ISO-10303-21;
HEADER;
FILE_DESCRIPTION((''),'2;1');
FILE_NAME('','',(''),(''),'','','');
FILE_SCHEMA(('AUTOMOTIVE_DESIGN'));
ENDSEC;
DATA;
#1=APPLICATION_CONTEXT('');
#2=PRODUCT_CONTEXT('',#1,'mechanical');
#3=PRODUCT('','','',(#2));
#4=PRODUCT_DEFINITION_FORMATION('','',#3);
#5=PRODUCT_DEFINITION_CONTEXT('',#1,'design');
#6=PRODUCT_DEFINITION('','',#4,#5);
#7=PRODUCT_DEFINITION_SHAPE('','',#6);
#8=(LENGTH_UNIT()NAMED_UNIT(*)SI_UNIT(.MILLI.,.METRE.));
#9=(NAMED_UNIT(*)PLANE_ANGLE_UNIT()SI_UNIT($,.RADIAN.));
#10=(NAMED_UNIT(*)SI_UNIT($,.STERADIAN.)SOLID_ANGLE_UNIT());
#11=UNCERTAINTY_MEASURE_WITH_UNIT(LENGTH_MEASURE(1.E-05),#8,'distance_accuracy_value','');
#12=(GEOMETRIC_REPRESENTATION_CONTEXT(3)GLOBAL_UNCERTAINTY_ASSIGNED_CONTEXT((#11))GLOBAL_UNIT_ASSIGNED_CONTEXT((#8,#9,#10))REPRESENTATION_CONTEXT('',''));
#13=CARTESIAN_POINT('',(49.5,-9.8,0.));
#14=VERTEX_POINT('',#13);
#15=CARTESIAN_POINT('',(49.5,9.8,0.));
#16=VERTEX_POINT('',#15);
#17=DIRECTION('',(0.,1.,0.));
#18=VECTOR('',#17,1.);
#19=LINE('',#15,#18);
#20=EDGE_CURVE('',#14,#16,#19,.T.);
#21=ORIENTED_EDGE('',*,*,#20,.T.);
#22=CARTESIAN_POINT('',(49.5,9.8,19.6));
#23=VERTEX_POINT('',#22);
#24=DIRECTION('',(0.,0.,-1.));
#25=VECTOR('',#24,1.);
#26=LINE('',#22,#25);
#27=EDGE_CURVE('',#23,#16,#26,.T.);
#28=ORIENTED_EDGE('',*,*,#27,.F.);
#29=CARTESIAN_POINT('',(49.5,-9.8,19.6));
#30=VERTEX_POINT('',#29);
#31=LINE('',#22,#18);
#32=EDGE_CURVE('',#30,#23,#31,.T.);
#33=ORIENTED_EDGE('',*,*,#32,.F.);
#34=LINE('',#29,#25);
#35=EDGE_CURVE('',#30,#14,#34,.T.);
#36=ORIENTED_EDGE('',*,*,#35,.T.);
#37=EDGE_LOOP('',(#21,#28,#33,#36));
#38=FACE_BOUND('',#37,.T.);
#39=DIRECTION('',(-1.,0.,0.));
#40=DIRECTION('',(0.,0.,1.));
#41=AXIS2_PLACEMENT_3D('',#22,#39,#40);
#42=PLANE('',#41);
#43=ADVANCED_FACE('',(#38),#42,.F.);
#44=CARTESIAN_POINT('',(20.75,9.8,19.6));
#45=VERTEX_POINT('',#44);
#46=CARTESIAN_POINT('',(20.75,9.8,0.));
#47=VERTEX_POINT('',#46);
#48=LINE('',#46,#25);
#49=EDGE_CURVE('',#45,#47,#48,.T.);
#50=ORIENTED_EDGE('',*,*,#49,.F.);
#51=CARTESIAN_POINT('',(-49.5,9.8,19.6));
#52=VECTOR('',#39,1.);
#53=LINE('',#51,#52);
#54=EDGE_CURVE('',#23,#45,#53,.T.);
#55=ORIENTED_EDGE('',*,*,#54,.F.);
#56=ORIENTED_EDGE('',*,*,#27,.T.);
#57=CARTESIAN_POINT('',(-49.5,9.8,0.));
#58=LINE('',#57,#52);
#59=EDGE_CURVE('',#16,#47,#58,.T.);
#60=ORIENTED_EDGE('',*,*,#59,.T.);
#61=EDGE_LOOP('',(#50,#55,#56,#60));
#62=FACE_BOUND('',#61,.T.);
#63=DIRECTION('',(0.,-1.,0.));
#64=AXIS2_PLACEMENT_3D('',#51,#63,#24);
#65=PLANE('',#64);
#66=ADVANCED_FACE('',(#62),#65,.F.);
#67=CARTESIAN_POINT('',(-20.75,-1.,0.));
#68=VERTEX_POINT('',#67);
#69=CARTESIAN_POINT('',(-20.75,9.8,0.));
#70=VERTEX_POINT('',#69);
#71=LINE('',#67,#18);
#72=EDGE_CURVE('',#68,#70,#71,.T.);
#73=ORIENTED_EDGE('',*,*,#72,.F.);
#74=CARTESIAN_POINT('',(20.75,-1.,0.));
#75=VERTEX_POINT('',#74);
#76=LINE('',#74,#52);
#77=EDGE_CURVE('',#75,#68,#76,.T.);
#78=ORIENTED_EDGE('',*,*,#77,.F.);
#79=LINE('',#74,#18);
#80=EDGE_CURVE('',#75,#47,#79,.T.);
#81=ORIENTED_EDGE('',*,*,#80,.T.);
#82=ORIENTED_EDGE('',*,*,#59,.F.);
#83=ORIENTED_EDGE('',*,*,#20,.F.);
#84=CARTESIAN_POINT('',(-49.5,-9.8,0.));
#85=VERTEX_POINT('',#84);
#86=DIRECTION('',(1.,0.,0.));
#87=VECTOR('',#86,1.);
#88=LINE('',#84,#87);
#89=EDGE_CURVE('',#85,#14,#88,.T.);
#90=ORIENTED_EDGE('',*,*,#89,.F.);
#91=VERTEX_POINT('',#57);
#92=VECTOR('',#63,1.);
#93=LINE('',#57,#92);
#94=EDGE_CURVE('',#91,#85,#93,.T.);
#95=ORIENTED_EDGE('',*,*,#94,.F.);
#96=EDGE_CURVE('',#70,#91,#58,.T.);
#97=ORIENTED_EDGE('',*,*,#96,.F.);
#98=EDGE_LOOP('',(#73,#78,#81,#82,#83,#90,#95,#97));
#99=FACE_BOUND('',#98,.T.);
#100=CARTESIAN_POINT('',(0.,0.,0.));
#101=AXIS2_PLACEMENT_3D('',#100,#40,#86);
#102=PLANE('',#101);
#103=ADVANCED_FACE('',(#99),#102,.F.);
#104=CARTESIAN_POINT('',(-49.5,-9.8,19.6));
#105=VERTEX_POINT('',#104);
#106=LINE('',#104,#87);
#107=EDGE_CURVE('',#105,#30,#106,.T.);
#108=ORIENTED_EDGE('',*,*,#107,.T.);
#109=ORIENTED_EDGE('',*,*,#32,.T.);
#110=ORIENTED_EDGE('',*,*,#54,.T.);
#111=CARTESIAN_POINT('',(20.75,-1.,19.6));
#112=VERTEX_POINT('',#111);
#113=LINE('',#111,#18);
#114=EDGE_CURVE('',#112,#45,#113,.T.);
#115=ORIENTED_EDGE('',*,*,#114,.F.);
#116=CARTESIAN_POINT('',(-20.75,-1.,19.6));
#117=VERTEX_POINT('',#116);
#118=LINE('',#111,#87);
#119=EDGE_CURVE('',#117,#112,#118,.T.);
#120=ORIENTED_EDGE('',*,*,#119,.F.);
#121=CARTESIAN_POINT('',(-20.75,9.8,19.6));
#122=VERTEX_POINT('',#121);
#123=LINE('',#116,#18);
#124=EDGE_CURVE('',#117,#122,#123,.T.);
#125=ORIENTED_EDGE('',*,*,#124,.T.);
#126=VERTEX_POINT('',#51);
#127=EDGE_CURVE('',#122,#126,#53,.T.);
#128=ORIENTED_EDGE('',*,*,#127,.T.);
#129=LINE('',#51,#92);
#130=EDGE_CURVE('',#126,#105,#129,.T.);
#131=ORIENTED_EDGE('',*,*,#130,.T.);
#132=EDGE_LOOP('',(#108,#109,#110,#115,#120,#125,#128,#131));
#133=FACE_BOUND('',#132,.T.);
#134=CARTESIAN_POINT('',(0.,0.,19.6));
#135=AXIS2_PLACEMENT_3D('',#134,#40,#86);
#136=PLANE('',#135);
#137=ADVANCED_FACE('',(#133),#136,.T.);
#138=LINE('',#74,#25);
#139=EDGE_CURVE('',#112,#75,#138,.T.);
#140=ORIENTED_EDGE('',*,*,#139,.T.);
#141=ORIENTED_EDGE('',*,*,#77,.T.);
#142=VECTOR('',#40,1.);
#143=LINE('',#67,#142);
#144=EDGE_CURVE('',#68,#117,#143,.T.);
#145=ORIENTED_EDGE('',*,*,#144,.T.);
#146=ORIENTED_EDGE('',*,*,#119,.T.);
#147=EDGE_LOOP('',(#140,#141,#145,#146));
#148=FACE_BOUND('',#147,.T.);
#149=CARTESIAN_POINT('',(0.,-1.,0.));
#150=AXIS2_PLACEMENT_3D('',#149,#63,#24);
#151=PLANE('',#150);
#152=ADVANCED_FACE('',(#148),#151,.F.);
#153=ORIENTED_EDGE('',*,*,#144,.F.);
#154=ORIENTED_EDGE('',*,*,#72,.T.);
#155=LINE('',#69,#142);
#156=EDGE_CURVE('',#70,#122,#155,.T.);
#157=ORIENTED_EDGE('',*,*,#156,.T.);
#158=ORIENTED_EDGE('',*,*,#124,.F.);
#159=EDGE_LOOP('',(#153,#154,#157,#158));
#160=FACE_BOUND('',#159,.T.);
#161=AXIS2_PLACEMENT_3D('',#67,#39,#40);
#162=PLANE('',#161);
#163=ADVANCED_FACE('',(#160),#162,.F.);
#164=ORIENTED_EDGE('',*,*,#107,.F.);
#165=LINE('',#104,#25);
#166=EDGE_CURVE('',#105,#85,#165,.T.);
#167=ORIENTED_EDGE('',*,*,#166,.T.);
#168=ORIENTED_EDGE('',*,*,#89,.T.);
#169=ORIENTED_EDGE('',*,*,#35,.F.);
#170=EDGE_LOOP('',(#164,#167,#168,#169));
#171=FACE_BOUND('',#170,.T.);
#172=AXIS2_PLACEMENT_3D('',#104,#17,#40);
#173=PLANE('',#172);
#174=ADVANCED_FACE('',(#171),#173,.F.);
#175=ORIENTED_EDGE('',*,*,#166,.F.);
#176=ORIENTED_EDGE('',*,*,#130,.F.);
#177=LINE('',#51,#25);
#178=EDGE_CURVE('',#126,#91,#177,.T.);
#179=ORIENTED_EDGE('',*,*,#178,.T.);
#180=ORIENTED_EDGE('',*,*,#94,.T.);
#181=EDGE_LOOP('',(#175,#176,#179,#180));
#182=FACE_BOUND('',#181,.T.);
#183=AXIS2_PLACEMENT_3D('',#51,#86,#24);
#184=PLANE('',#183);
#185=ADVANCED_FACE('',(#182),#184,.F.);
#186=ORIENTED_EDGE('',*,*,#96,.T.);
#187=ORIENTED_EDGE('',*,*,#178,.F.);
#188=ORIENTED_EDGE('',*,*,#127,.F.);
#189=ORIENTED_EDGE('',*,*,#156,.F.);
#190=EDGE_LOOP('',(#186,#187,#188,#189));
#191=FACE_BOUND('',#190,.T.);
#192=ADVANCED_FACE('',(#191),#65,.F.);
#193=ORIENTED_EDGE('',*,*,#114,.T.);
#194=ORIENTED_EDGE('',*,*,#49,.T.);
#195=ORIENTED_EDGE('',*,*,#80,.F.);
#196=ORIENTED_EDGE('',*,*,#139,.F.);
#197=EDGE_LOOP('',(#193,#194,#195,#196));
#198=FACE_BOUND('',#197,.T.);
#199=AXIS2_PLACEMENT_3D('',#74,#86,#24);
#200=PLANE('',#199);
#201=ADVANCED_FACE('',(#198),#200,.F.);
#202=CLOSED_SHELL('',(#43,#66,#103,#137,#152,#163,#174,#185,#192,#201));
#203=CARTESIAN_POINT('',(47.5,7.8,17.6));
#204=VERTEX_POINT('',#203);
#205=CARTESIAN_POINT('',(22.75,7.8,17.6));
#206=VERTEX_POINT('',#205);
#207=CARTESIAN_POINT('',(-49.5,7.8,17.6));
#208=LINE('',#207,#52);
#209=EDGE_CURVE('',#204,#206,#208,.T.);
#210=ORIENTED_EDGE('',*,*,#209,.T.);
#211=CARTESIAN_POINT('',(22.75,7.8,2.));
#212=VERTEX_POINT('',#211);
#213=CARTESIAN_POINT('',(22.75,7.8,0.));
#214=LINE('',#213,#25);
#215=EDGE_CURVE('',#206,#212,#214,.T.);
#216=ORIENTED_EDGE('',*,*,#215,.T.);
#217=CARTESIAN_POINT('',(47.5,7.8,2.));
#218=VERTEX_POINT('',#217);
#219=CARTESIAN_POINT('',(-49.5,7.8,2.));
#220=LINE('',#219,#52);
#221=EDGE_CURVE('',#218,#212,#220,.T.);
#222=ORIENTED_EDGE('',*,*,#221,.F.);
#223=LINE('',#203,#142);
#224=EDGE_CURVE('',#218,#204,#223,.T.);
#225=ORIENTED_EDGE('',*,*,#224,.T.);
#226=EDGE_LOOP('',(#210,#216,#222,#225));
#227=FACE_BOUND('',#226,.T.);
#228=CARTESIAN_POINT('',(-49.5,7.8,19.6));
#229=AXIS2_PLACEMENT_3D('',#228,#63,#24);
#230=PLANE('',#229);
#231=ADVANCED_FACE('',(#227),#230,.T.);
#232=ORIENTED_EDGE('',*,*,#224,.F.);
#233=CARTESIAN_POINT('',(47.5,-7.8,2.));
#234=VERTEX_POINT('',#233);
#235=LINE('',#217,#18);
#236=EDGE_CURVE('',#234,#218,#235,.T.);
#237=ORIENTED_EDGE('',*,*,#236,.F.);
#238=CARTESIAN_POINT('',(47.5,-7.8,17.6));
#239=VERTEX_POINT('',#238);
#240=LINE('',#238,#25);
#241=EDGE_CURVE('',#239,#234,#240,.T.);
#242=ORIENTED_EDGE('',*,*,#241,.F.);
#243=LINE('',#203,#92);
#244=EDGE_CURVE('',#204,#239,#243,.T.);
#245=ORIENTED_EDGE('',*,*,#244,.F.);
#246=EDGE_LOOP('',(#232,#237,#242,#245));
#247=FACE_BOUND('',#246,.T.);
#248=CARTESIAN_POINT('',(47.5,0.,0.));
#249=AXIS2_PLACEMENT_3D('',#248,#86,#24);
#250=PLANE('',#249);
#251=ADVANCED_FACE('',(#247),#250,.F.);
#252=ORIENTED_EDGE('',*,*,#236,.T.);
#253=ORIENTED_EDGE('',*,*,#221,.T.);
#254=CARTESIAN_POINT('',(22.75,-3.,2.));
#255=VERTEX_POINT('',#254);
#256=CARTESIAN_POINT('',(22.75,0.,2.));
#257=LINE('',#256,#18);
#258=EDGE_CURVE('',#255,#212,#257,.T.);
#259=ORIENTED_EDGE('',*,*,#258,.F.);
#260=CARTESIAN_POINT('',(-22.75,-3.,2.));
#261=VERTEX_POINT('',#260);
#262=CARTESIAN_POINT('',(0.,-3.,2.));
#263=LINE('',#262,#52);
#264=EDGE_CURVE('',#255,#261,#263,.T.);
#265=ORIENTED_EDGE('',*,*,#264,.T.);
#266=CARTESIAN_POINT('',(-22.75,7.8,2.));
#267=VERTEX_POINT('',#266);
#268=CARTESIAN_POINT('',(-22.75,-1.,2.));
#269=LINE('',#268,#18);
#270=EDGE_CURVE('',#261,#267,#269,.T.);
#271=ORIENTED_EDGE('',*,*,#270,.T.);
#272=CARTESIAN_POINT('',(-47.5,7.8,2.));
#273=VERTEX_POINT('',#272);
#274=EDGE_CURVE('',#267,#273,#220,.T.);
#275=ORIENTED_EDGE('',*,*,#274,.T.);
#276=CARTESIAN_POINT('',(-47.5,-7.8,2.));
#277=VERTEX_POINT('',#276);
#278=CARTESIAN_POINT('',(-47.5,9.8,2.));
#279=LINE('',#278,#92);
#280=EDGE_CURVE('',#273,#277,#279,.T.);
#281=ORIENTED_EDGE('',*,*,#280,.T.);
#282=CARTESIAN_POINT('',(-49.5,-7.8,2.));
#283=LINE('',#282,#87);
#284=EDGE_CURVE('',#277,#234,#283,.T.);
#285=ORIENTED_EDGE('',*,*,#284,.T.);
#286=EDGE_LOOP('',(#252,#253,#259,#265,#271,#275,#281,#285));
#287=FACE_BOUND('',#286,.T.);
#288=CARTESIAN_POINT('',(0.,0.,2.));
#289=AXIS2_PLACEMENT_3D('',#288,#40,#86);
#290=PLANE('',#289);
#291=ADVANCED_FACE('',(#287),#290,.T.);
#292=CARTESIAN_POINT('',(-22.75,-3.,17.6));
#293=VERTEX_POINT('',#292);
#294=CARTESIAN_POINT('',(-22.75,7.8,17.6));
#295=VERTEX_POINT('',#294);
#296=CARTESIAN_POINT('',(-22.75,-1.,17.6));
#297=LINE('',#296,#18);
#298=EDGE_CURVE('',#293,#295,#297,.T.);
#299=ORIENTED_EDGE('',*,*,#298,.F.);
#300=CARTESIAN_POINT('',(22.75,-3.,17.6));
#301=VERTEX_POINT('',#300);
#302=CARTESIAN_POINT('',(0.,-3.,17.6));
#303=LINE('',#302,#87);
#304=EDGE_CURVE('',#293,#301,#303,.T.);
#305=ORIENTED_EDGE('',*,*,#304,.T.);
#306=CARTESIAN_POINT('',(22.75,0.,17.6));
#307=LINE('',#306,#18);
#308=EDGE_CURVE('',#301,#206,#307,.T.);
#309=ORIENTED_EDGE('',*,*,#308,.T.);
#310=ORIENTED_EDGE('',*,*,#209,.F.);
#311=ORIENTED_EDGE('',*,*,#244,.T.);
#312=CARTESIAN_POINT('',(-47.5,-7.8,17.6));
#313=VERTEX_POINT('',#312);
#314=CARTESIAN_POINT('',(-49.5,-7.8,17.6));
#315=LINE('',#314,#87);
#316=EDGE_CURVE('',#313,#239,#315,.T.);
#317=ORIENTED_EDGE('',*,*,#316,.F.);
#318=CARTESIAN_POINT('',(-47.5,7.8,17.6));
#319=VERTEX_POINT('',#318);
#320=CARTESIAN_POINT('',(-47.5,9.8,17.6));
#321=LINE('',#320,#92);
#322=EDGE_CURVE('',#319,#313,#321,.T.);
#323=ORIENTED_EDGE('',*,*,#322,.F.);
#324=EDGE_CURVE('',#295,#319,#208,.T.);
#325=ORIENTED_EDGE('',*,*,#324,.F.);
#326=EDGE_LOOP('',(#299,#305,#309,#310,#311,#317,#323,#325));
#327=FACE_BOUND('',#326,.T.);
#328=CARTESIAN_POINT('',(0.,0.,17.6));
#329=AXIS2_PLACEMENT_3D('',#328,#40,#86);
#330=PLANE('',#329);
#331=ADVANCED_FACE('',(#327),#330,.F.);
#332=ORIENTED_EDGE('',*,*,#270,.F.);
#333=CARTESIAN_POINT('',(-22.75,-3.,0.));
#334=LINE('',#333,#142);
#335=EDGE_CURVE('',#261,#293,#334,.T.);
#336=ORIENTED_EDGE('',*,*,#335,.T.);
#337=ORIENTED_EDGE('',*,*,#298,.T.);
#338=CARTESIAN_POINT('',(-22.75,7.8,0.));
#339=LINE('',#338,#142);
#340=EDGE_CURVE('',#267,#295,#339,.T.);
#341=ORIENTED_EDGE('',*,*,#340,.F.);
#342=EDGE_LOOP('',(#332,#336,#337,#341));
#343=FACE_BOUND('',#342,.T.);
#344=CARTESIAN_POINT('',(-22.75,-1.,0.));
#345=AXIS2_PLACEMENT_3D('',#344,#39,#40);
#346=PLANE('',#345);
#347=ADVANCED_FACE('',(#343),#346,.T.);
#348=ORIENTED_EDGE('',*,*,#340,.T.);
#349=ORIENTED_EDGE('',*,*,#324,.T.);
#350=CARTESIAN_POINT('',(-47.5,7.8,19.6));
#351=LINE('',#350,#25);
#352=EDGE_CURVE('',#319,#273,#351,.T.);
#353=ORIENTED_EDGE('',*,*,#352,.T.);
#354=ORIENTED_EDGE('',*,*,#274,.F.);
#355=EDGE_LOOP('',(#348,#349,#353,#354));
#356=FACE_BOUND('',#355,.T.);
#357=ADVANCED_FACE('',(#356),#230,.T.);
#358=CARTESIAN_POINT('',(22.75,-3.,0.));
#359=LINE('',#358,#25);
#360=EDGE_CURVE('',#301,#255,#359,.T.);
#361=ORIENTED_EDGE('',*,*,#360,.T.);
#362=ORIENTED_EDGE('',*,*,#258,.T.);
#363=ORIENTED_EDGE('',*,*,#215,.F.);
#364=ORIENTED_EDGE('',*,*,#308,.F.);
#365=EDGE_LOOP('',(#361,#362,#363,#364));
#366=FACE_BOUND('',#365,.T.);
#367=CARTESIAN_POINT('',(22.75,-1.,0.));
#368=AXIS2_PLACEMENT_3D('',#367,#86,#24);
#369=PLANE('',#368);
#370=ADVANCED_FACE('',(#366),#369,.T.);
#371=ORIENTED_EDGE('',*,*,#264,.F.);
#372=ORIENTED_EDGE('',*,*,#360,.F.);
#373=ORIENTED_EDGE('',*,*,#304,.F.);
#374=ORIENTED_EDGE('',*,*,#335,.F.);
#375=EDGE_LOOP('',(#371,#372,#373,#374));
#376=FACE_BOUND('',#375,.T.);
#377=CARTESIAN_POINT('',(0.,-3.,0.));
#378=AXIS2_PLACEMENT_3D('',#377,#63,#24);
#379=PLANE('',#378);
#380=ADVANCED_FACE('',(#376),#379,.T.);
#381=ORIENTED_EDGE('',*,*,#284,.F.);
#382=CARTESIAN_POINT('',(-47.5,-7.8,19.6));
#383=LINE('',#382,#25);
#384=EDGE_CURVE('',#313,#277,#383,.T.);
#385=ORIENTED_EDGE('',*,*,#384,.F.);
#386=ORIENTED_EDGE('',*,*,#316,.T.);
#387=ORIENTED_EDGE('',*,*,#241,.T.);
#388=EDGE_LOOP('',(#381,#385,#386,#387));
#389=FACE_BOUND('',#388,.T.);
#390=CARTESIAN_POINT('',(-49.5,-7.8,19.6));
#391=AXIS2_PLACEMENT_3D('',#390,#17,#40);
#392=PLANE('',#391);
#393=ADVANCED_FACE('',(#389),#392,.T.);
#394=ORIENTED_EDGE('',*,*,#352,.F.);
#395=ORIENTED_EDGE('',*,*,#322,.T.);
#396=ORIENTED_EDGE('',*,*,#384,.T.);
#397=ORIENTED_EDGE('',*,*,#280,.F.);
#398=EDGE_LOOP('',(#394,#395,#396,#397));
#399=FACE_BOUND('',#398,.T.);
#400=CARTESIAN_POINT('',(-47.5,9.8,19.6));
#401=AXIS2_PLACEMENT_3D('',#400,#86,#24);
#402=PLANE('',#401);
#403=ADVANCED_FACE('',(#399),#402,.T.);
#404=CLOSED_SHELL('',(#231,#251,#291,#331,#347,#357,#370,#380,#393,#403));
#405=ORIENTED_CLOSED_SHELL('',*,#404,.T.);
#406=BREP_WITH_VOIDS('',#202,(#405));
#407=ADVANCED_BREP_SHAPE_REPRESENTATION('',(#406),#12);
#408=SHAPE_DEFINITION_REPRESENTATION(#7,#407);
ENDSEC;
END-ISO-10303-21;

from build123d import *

# Parameters (mm, degrees)
SKETCH_1_W          = 99
SKETCH_1_H          = 19.6
EXTRUDE_1_DEPTH     = 19.6
SKETCH_3_W          = 41.5
SKETCH_3_H          = 19.6
CUT_EXTRUDE_1_DEPTH = 10.8
SKETCH_4_W          = 19.6
SKETCH_4_H          = 19.6
EXTRUDE_2_DEPTH     = 0.5
SHELL_1_T           = -2
SKETCH_6_W          = 15.6
SKETCH_6_H          = 15.6
EXTRUDE_3_DEPTH     = 2


with BuildPart() as part:
    # 草圖1 → 填料-伸長1 (new body)
    with BuildSketch(Plane.XY):
        Rectangle(SKETCH_1_W, SKETCH_1_H)
    extrude(amount=EXTRUDE_1_DEPTH)

    # 草圖3 → 除料-伸長1 (cut)
    with BuildSketch(Plane(origin=(0, 9.8, 0), x_dir=(1, 0, 0), z_dir=(0, 1, 0))):
        with Locations((0, -9.8)):
            Rectangle(SKETCH_3_W, SKETCH_3_H)
    extrude(amount=-CUT_EXTRUDE_1_DEPTH, mode=Mode.SUBTRACT)

    # 草圖4 → 填料-伸長2 (add)
    with BuildSketch(Plane(origin=(49.5, 0, 0), x_dir=(0, 0, -1), z_dir=(1, 0, 0))):
        with Locations((-9.8, 0)):
            Rectangle(SKETCH_4_W, SKETCH_4_H)
    extrude(amount=-EXTRUDE_2_DEPTH)

    # 薄殼1
    shell_1_openings = [part.faces().sort_by_distance(p)[0] for p in [
        (49.5, 0, 9.8),
    ]]
    offset(amount=SHELL_1_T, openings=shell_1_openings, kind=Kind.INTERSECTION)

    # 草圖6 → 填料-伸長3 (add)
    with BuildSketch(Plane(origin=(49.5, 0, 0), x_dir=(0, 0, -1), z_dir=(1, 0, 0))):
        with Locations((-9.8, 0)):
            Rectangle(SKETCH_6_W, SKETCH_6_H)
    extrude(amount=-EXTRUDE_3_DEPTH)


solid = part.part
